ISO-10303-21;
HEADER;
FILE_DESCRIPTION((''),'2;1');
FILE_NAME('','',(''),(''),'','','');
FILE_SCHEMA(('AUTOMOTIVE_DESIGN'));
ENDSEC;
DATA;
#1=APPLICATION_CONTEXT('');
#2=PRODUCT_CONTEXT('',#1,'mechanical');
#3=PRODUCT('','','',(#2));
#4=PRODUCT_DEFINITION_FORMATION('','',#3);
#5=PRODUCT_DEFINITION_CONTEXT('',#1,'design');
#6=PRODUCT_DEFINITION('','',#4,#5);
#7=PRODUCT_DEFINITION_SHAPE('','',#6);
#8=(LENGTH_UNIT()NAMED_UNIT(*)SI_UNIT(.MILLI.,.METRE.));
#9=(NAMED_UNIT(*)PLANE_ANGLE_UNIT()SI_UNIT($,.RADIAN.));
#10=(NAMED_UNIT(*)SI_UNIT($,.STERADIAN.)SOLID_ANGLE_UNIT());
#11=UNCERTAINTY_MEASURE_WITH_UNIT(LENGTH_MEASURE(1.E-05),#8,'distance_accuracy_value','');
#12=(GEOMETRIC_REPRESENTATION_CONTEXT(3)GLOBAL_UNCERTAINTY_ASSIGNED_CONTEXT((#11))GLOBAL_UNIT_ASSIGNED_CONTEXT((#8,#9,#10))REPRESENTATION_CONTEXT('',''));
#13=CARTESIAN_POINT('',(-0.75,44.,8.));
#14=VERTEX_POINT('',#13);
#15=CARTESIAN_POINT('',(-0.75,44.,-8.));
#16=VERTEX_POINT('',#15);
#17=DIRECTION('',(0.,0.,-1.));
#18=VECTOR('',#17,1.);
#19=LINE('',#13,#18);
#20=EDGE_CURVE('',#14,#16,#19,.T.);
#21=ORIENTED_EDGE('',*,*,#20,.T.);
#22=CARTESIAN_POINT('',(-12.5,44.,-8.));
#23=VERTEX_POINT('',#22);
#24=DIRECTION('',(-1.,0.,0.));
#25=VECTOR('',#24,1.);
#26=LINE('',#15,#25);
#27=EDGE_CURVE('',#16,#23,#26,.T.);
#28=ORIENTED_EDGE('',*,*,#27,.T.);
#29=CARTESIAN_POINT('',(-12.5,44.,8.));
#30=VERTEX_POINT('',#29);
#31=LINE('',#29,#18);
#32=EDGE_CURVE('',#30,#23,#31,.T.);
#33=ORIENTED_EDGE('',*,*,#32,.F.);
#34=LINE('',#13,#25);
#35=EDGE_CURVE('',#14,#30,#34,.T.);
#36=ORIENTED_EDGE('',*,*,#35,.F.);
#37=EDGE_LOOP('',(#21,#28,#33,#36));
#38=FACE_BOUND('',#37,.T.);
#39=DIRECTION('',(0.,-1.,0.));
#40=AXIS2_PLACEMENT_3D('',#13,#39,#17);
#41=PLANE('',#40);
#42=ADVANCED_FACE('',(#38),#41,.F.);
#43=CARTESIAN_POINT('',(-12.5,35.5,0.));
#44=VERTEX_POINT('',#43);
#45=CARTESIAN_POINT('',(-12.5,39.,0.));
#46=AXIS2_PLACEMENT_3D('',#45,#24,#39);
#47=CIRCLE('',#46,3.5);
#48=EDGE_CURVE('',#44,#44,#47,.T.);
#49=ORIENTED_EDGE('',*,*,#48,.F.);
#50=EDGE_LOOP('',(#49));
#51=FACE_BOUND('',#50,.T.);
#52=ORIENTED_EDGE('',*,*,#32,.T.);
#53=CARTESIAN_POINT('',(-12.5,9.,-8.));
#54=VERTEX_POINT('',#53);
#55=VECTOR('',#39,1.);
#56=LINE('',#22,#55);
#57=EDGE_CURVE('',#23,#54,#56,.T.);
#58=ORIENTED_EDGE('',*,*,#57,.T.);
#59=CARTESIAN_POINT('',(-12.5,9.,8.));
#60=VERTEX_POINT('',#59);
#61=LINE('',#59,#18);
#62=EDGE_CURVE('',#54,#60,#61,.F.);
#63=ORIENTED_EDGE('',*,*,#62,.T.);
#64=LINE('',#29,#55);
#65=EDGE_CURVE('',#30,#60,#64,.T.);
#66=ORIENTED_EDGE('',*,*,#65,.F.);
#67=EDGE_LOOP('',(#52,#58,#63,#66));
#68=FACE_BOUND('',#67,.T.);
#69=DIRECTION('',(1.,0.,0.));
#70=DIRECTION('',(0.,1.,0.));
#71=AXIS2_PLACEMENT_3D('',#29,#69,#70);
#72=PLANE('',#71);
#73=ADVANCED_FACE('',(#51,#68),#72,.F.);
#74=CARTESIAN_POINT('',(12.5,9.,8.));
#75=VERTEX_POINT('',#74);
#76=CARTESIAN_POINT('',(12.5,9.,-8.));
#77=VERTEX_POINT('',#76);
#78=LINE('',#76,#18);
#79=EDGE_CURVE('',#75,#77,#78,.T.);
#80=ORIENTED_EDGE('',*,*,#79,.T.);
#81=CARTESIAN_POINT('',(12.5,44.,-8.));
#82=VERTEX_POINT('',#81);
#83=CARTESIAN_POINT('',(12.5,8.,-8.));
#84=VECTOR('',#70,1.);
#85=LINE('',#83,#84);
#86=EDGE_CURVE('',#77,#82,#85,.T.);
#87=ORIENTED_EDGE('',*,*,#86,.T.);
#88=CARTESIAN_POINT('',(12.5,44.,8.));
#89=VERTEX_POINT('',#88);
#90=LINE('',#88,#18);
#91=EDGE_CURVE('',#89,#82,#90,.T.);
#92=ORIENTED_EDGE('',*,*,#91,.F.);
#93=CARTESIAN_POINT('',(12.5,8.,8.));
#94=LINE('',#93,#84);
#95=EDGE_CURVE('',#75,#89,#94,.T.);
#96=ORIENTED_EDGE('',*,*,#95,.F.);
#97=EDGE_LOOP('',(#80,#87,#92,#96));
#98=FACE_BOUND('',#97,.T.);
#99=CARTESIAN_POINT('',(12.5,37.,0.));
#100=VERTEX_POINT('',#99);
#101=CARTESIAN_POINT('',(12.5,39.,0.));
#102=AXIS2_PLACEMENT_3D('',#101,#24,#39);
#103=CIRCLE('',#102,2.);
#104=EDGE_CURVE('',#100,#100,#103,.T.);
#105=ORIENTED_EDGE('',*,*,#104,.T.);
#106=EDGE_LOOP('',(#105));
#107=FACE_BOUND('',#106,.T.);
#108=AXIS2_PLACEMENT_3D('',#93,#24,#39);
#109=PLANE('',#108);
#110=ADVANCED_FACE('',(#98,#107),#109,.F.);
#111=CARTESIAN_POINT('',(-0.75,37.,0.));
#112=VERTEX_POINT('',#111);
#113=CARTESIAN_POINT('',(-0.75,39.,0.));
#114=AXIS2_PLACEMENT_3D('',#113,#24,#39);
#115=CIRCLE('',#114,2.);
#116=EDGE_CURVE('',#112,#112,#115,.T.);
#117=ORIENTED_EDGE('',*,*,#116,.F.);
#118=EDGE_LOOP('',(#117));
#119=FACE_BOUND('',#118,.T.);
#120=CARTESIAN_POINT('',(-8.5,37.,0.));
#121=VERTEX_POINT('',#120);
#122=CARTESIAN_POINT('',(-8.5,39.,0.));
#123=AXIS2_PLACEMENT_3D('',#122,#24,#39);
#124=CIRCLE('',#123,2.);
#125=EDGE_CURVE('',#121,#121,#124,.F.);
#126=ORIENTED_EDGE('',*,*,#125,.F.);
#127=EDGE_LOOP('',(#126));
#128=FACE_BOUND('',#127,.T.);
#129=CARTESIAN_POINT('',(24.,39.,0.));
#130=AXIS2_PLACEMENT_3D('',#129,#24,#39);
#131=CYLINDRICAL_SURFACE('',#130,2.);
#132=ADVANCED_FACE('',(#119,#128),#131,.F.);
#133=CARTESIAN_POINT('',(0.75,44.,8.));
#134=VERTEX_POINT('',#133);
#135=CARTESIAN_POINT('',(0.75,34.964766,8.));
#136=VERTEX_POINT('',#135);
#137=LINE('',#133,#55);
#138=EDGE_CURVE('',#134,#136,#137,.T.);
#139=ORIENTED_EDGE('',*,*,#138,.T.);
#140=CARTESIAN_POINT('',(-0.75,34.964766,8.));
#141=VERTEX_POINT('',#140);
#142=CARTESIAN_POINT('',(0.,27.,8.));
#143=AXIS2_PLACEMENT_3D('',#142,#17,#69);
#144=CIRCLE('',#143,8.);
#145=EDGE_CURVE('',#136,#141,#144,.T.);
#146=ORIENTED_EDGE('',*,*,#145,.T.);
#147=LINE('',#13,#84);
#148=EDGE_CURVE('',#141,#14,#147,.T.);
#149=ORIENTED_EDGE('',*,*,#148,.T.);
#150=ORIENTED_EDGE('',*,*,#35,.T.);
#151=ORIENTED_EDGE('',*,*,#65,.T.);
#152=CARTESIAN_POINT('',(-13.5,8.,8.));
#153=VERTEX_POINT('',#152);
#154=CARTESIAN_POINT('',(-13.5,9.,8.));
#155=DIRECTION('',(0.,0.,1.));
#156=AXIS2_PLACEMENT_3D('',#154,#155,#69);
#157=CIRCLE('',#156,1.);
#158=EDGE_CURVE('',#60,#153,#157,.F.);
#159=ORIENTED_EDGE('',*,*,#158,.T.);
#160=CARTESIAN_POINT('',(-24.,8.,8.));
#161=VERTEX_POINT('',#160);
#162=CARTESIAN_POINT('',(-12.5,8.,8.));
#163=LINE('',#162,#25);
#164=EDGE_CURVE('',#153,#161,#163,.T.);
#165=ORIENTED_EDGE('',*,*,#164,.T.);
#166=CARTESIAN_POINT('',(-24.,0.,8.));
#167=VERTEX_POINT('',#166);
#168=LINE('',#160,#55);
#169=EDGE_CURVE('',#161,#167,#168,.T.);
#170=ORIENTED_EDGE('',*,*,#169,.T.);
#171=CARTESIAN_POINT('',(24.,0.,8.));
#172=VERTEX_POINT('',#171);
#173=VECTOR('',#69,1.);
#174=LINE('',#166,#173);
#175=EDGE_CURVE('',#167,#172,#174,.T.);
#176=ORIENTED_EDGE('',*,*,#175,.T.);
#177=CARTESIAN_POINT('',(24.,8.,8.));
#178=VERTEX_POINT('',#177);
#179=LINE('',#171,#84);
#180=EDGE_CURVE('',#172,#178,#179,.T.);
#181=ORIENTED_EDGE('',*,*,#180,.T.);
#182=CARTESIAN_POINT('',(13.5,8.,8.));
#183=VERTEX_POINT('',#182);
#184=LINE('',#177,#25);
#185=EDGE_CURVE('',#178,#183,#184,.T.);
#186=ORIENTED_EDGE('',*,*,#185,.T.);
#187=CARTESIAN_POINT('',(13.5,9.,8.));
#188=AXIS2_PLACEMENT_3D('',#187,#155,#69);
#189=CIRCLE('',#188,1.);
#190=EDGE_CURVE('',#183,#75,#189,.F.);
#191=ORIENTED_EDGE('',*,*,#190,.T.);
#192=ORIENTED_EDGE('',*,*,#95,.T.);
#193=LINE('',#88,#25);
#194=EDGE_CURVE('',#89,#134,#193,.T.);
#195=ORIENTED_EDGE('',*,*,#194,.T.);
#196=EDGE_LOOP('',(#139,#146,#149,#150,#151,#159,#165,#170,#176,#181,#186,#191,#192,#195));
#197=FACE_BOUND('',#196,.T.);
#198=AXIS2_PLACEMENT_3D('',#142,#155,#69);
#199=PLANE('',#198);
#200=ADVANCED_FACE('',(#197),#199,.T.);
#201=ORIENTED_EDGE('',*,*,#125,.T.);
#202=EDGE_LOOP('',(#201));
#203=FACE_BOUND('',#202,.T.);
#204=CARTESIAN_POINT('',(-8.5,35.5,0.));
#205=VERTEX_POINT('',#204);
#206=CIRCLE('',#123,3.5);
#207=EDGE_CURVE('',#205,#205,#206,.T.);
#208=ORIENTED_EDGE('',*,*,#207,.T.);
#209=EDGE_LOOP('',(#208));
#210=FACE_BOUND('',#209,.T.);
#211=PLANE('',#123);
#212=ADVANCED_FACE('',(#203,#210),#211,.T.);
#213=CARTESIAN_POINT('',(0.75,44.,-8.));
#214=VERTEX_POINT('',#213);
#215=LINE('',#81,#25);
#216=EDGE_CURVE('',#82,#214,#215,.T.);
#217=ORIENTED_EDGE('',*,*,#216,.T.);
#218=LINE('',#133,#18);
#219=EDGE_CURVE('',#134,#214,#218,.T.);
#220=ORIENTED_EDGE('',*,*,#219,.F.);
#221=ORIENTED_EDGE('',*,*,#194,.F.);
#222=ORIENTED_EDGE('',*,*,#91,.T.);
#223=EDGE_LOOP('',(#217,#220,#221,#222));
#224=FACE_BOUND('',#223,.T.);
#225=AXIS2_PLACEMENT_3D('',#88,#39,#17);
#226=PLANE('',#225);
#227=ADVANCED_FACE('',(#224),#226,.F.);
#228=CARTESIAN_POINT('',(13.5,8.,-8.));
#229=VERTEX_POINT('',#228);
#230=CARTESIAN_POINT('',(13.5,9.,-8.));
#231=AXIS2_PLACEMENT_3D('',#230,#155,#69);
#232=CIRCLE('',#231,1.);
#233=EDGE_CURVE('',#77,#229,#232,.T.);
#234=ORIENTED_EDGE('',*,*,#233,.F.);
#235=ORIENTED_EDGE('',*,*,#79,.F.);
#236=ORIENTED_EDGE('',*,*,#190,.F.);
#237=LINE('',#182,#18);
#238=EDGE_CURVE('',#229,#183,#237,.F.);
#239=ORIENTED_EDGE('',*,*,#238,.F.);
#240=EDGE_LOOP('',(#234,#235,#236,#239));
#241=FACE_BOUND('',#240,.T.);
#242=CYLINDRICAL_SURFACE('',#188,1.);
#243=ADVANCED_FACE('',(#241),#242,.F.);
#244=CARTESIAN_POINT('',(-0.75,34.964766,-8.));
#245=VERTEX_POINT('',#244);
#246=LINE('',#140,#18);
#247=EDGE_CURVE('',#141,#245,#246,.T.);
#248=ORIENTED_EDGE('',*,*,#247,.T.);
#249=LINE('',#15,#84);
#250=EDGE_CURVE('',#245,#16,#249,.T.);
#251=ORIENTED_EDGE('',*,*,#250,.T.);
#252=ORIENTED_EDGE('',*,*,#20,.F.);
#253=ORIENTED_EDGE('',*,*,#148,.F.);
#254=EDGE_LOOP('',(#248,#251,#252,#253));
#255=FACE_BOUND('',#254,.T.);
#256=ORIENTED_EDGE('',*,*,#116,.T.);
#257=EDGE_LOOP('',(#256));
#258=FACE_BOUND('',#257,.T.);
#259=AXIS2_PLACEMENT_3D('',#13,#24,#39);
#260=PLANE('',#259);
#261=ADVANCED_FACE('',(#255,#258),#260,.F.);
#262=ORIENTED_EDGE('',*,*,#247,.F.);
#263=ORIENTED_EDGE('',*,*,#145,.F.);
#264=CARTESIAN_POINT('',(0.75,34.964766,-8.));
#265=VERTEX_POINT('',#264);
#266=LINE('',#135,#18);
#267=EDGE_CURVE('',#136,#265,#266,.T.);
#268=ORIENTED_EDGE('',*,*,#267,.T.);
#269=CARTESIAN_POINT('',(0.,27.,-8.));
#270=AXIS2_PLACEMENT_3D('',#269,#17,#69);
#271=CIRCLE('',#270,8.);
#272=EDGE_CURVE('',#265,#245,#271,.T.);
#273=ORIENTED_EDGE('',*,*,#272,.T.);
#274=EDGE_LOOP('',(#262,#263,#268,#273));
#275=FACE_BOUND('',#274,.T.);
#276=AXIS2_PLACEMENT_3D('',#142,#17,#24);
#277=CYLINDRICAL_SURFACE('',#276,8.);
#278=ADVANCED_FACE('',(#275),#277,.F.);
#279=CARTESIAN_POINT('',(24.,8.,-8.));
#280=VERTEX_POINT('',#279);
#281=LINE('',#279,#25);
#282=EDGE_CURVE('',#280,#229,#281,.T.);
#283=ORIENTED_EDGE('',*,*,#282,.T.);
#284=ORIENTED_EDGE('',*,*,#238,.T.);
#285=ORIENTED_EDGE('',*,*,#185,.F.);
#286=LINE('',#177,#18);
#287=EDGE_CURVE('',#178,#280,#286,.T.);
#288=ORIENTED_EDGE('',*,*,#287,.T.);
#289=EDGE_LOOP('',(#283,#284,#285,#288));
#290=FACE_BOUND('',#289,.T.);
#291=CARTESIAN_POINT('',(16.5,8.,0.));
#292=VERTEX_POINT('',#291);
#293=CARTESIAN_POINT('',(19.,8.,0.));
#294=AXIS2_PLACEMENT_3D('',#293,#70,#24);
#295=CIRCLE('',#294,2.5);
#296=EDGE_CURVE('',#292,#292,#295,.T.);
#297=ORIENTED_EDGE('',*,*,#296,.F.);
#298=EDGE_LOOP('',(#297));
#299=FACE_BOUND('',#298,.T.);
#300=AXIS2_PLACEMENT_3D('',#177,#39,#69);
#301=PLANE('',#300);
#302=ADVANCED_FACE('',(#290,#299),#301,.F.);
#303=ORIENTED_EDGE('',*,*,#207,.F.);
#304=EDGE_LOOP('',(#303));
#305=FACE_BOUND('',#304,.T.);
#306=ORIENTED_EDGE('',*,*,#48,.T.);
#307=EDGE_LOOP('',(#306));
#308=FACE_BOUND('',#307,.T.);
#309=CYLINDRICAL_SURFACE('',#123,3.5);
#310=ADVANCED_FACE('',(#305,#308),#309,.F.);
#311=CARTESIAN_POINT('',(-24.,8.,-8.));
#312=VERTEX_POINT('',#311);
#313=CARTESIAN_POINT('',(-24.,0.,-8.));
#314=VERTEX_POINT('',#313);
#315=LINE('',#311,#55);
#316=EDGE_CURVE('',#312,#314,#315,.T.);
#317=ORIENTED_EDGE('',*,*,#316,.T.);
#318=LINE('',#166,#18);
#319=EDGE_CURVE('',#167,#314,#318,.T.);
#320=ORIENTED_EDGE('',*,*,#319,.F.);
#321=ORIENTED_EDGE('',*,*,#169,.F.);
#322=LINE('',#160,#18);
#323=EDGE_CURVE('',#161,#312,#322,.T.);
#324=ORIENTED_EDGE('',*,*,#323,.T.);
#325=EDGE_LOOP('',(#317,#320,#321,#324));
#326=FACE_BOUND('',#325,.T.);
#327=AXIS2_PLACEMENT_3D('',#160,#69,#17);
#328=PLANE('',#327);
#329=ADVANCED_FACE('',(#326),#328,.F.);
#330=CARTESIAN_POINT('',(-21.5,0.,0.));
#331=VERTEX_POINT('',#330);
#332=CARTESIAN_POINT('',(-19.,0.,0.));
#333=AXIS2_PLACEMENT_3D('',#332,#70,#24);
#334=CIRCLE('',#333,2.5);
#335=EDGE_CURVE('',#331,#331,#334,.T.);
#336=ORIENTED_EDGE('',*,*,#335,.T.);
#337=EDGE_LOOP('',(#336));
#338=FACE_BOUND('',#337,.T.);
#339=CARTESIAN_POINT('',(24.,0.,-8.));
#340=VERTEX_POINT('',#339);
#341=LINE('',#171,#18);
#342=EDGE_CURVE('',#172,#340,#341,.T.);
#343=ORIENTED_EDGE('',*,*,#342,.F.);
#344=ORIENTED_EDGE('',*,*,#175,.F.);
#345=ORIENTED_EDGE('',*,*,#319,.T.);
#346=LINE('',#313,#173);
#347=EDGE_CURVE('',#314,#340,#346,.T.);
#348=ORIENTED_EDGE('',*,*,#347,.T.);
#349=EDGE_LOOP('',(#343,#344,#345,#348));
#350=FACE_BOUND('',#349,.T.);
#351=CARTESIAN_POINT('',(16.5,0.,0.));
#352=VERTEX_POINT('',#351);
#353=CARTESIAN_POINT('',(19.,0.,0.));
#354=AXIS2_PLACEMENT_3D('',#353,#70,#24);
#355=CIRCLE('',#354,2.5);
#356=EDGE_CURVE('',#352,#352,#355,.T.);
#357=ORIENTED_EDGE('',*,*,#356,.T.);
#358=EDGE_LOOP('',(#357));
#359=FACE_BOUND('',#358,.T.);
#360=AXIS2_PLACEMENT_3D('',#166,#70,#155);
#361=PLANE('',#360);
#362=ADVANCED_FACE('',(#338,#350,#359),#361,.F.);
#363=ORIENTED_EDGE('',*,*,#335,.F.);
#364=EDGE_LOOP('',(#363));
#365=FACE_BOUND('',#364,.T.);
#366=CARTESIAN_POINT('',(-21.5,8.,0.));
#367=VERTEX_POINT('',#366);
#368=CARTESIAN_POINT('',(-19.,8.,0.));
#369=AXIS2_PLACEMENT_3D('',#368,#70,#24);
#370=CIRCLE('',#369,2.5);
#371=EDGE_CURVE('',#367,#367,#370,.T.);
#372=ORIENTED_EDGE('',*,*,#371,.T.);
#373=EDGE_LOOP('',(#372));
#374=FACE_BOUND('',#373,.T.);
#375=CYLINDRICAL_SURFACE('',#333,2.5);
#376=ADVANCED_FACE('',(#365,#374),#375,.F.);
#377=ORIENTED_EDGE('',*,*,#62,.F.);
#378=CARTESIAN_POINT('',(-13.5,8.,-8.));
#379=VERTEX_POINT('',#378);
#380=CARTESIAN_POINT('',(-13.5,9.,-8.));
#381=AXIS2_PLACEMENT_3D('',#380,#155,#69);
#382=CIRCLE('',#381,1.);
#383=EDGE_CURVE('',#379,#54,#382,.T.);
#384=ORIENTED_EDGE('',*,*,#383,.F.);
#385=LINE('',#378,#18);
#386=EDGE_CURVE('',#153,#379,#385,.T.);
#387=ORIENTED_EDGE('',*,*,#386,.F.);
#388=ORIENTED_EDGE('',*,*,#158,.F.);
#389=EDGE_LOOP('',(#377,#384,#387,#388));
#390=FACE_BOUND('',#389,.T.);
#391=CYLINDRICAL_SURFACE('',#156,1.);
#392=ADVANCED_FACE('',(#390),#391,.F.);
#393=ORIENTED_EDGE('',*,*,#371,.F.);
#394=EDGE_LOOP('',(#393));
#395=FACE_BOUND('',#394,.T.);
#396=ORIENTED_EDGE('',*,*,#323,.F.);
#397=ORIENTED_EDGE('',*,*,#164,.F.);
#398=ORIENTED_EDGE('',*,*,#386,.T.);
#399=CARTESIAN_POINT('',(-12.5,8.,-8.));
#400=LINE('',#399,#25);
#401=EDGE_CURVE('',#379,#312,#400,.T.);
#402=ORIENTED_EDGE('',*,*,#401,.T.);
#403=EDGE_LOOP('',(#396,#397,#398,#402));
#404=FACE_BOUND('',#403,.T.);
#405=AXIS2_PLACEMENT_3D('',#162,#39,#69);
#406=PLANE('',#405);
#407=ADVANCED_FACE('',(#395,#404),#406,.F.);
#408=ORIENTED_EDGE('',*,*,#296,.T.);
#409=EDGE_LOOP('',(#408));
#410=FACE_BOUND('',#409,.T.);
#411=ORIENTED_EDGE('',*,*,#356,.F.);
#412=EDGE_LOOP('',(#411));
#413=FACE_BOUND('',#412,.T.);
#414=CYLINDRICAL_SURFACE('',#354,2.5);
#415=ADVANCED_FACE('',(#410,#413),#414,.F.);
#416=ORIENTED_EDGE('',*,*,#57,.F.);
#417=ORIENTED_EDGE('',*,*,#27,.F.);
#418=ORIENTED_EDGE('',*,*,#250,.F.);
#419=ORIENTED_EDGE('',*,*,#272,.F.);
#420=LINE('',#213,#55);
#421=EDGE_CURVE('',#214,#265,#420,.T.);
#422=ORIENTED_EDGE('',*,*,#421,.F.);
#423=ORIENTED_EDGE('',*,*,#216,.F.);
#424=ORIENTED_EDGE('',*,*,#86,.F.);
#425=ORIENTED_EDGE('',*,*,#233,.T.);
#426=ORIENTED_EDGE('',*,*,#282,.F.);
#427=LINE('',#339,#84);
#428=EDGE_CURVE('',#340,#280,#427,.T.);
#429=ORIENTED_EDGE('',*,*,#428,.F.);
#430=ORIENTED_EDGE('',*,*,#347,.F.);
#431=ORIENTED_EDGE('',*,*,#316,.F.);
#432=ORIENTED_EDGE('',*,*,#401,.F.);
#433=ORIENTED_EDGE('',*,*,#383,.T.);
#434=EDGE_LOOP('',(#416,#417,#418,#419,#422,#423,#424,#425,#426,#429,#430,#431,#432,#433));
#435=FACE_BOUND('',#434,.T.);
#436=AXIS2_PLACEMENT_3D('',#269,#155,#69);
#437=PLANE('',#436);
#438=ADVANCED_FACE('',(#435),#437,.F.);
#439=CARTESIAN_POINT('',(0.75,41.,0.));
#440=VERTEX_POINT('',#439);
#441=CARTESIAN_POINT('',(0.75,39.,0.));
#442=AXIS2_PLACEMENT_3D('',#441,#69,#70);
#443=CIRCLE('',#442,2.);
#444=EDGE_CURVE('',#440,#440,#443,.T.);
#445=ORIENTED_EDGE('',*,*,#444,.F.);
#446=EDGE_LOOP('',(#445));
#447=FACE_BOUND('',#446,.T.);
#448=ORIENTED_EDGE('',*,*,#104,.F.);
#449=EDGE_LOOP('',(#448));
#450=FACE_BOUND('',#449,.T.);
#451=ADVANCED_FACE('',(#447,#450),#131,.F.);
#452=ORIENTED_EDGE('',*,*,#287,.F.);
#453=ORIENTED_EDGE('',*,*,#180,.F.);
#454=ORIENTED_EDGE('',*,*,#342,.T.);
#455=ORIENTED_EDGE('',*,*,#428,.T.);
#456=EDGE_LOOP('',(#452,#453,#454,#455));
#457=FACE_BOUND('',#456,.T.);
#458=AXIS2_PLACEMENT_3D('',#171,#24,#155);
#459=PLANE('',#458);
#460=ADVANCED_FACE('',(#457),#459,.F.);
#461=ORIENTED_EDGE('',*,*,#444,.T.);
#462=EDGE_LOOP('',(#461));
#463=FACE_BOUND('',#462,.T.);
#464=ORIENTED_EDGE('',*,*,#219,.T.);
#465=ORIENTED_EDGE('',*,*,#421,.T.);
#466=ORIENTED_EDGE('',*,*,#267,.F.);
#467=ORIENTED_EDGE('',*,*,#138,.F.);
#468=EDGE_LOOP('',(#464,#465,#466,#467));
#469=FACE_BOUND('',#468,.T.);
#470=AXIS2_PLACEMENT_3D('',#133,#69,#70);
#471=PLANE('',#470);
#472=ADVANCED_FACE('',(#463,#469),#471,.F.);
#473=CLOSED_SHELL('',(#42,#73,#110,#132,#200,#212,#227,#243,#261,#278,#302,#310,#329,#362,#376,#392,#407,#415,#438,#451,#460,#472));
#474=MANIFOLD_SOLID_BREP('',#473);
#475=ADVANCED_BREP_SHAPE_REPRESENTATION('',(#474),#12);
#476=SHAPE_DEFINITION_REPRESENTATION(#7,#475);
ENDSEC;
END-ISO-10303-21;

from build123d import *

# Parameters (mm, degrees)
SALIENTE_EXTRUIR1_DEPTH = 8
CROQUIS3_R              = 2.5
CORTAR_EXTRUIR1_DEPTH   = 9
REDONDEO1_R             = 1
CROQUIS4_R              = 2
CORTAR_EXTRUIR2_DEPTH   = 37.5
CROQUIS5_R              = 3.5
CORTAR_EXTRUIR3_DEPTH   = 4


with BuildPart() as part:
    # Croquis1 → Saliente-Extruir1 (new body, symmetric)
    with BuildSketch(Plane.XY):
        with BuildLine():
            Line((-24, 0), (24, 0))
            Line((24, 0), (24, 8))
            Line((24, 8), (12.5, 8))
            Line((12.5, 8), (12.5, 44))
            Line((12.5, 44), (0.75, 44))
            Line((0.75, 44), (0.75, 34.964766161))
            ThreePointArc((0.75, 34.964766161), (0, 19), (-0.75, 34.964766161))
            Line((-0.75, 34.964766161), (-0.75, 44))
            Line((-0.75, 44), (-12.5, 44))
            Line((-12.5, 44), (-12.5, 8))
            Line((-12.5, 8), (-24, 8))
            Line((-24, 8), (-24, 0))
        make_face()
    extrude(amount=SALIENTE_EXTRUIR1_DEPTH, both=True)

    # Croquis3 → Cortar-Extruir1 (cut, through all)
    with BuildSketch(Plane(origin=(0, 8, 0), x_dir=(1, 0, 0), z_dir=(0, 1, 0))):
        with Locations((-19, 0)):
            Circle(CROQUIS3_R)
        with Locations((19, 0)):
            Circle(CROQUIS3_R)
    extrude(amount=-CORTAR_EXTRUIR1_DEPTH, mode=Mode.SUBTRACT)

    # Redondeo1
    redondeo1_edges = [part.edges().sort_by_distance(p)[0] for p in [
        (-12.5, 8, 0),
        (12.5, 8, 0),
    ]]
    fillet(redondeo1_edges, radius=REDONDEO1_R)

    # Croquis4 → Cortar-Extruir2 (cut, through all)
    with BuildSketch(Plane.ZY.offset(12.5)):
        with Locations((0, 39)):
            Circle(CROQUIS4_R)
    extrude(amount=-CORTAR_EXTRUIR2_DEPTH, mode=Mode.SUBTRACT)

    # Croquis5 → Cortar-Extruir3 (cut)
    with BuildSketch(Plane.ZY.offset(12.5)):
        with Locations((0, 39)):
            Circle(CROQUIS5_R)
    extrude(amount=-CORTAR_EXTRUIR3_DEPTH, mode=Mode.SUBTRACT)


solid = part.part
